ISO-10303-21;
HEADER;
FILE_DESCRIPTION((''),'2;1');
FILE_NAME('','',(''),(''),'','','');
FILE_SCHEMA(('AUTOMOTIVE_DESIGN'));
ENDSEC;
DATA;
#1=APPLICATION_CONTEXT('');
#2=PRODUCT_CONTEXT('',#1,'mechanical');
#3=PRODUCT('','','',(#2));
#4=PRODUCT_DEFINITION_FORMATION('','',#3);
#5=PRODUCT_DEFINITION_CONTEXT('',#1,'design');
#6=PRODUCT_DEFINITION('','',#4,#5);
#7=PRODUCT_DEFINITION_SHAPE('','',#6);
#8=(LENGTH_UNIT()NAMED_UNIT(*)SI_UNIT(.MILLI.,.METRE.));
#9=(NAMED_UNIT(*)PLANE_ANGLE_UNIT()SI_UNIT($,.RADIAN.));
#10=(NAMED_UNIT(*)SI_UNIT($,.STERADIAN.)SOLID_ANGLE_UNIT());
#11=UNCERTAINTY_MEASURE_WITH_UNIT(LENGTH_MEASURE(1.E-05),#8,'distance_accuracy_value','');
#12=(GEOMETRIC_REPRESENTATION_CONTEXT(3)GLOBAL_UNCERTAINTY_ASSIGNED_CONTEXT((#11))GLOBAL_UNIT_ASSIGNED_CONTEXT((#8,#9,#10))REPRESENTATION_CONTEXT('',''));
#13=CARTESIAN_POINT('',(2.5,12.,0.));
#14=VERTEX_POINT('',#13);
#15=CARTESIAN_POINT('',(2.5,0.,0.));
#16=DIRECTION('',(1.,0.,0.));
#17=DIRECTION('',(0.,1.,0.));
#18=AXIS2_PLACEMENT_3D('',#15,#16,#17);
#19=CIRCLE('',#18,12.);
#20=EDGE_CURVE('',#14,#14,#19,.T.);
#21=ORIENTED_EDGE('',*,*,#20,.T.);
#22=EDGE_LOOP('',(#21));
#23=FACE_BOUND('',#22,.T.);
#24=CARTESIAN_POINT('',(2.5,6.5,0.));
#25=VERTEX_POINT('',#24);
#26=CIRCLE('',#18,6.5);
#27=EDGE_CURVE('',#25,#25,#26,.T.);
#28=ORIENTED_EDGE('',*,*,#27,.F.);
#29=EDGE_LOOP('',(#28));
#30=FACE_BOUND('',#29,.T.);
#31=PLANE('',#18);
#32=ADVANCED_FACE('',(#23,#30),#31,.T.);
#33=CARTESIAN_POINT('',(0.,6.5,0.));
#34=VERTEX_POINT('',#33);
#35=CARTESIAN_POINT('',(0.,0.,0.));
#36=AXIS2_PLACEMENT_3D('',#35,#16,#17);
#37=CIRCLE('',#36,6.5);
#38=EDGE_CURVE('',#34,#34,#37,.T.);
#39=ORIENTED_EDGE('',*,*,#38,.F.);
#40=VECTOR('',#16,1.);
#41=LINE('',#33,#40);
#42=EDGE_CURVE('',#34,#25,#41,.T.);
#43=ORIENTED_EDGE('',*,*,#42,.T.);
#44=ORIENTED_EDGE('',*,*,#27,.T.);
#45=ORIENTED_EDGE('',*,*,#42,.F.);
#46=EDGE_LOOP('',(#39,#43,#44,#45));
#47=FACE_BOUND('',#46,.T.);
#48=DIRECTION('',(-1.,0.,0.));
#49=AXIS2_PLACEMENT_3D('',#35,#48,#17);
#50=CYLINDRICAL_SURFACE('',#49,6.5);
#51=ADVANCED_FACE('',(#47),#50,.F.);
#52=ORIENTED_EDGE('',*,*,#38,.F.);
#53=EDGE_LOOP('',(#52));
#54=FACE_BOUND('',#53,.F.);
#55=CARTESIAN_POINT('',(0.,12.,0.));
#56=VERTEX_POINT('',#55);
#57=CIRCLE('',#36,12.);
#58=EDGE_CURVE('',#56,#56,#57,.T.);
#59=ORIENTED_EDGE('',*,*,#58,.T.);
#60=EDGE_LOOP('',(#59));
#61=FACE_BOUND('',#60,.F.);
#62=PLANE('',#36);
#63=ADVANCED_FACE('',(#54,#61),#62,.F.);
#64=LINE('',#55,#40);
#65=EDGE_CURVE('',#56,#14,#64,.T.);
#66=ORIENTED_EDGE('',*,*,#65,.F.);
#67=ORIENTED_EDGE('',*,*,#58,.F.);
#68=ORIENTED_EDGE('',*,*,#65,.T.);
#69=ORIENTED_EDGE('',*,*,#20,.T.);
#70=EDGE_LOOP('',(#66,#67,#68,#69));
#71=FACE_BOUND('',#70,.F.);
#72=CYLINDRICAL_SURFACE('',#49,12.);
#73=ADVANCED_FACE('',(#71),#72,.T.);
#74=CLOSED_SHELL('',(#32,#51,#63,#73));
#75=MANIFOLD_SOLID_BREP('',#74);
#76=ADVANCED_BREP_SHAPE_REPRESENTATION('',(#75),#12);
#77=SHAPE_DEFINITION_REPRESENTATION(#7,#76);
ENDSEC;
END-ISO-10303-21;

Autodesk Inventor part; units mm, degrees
ref_plane "YZ Plane" through (0, 0, 0) normal (1, 0, 0) x (0, 1, 0)
ref_plane "XZ Plane" through (0, 0, 0) normal (0, 1, 0) x (-1, 0, 0)
sketch "Sketch" plane through (0, 0, 0) normal (1, 0, 0) x (0, 1, 0)
  circle A0 centre (0, 0) radius 12
  circle A1 centre (0, 0) radius 6.5
  dimension "d0" = 13
  dimension "d1" = 24
extrude "Body" add sketch "Sketch" along normal blind 2.5
ref_plane "Work Plane1" through (0, 0, 0) normal (0, 0, 1) x (1, 0, 0)
equation "\"d0\" = SD1"
equation "\"d1\" = SD2"
equation "\"d2\" = SD"
equation "\"SD1\" = 13"
equation "\"SD2\" = 24"
equation "\"SD\" = 2.5"
equation "\"NND\" = 12"
properties part number "ISO 7089 - 12" material "Stainless Steel"
